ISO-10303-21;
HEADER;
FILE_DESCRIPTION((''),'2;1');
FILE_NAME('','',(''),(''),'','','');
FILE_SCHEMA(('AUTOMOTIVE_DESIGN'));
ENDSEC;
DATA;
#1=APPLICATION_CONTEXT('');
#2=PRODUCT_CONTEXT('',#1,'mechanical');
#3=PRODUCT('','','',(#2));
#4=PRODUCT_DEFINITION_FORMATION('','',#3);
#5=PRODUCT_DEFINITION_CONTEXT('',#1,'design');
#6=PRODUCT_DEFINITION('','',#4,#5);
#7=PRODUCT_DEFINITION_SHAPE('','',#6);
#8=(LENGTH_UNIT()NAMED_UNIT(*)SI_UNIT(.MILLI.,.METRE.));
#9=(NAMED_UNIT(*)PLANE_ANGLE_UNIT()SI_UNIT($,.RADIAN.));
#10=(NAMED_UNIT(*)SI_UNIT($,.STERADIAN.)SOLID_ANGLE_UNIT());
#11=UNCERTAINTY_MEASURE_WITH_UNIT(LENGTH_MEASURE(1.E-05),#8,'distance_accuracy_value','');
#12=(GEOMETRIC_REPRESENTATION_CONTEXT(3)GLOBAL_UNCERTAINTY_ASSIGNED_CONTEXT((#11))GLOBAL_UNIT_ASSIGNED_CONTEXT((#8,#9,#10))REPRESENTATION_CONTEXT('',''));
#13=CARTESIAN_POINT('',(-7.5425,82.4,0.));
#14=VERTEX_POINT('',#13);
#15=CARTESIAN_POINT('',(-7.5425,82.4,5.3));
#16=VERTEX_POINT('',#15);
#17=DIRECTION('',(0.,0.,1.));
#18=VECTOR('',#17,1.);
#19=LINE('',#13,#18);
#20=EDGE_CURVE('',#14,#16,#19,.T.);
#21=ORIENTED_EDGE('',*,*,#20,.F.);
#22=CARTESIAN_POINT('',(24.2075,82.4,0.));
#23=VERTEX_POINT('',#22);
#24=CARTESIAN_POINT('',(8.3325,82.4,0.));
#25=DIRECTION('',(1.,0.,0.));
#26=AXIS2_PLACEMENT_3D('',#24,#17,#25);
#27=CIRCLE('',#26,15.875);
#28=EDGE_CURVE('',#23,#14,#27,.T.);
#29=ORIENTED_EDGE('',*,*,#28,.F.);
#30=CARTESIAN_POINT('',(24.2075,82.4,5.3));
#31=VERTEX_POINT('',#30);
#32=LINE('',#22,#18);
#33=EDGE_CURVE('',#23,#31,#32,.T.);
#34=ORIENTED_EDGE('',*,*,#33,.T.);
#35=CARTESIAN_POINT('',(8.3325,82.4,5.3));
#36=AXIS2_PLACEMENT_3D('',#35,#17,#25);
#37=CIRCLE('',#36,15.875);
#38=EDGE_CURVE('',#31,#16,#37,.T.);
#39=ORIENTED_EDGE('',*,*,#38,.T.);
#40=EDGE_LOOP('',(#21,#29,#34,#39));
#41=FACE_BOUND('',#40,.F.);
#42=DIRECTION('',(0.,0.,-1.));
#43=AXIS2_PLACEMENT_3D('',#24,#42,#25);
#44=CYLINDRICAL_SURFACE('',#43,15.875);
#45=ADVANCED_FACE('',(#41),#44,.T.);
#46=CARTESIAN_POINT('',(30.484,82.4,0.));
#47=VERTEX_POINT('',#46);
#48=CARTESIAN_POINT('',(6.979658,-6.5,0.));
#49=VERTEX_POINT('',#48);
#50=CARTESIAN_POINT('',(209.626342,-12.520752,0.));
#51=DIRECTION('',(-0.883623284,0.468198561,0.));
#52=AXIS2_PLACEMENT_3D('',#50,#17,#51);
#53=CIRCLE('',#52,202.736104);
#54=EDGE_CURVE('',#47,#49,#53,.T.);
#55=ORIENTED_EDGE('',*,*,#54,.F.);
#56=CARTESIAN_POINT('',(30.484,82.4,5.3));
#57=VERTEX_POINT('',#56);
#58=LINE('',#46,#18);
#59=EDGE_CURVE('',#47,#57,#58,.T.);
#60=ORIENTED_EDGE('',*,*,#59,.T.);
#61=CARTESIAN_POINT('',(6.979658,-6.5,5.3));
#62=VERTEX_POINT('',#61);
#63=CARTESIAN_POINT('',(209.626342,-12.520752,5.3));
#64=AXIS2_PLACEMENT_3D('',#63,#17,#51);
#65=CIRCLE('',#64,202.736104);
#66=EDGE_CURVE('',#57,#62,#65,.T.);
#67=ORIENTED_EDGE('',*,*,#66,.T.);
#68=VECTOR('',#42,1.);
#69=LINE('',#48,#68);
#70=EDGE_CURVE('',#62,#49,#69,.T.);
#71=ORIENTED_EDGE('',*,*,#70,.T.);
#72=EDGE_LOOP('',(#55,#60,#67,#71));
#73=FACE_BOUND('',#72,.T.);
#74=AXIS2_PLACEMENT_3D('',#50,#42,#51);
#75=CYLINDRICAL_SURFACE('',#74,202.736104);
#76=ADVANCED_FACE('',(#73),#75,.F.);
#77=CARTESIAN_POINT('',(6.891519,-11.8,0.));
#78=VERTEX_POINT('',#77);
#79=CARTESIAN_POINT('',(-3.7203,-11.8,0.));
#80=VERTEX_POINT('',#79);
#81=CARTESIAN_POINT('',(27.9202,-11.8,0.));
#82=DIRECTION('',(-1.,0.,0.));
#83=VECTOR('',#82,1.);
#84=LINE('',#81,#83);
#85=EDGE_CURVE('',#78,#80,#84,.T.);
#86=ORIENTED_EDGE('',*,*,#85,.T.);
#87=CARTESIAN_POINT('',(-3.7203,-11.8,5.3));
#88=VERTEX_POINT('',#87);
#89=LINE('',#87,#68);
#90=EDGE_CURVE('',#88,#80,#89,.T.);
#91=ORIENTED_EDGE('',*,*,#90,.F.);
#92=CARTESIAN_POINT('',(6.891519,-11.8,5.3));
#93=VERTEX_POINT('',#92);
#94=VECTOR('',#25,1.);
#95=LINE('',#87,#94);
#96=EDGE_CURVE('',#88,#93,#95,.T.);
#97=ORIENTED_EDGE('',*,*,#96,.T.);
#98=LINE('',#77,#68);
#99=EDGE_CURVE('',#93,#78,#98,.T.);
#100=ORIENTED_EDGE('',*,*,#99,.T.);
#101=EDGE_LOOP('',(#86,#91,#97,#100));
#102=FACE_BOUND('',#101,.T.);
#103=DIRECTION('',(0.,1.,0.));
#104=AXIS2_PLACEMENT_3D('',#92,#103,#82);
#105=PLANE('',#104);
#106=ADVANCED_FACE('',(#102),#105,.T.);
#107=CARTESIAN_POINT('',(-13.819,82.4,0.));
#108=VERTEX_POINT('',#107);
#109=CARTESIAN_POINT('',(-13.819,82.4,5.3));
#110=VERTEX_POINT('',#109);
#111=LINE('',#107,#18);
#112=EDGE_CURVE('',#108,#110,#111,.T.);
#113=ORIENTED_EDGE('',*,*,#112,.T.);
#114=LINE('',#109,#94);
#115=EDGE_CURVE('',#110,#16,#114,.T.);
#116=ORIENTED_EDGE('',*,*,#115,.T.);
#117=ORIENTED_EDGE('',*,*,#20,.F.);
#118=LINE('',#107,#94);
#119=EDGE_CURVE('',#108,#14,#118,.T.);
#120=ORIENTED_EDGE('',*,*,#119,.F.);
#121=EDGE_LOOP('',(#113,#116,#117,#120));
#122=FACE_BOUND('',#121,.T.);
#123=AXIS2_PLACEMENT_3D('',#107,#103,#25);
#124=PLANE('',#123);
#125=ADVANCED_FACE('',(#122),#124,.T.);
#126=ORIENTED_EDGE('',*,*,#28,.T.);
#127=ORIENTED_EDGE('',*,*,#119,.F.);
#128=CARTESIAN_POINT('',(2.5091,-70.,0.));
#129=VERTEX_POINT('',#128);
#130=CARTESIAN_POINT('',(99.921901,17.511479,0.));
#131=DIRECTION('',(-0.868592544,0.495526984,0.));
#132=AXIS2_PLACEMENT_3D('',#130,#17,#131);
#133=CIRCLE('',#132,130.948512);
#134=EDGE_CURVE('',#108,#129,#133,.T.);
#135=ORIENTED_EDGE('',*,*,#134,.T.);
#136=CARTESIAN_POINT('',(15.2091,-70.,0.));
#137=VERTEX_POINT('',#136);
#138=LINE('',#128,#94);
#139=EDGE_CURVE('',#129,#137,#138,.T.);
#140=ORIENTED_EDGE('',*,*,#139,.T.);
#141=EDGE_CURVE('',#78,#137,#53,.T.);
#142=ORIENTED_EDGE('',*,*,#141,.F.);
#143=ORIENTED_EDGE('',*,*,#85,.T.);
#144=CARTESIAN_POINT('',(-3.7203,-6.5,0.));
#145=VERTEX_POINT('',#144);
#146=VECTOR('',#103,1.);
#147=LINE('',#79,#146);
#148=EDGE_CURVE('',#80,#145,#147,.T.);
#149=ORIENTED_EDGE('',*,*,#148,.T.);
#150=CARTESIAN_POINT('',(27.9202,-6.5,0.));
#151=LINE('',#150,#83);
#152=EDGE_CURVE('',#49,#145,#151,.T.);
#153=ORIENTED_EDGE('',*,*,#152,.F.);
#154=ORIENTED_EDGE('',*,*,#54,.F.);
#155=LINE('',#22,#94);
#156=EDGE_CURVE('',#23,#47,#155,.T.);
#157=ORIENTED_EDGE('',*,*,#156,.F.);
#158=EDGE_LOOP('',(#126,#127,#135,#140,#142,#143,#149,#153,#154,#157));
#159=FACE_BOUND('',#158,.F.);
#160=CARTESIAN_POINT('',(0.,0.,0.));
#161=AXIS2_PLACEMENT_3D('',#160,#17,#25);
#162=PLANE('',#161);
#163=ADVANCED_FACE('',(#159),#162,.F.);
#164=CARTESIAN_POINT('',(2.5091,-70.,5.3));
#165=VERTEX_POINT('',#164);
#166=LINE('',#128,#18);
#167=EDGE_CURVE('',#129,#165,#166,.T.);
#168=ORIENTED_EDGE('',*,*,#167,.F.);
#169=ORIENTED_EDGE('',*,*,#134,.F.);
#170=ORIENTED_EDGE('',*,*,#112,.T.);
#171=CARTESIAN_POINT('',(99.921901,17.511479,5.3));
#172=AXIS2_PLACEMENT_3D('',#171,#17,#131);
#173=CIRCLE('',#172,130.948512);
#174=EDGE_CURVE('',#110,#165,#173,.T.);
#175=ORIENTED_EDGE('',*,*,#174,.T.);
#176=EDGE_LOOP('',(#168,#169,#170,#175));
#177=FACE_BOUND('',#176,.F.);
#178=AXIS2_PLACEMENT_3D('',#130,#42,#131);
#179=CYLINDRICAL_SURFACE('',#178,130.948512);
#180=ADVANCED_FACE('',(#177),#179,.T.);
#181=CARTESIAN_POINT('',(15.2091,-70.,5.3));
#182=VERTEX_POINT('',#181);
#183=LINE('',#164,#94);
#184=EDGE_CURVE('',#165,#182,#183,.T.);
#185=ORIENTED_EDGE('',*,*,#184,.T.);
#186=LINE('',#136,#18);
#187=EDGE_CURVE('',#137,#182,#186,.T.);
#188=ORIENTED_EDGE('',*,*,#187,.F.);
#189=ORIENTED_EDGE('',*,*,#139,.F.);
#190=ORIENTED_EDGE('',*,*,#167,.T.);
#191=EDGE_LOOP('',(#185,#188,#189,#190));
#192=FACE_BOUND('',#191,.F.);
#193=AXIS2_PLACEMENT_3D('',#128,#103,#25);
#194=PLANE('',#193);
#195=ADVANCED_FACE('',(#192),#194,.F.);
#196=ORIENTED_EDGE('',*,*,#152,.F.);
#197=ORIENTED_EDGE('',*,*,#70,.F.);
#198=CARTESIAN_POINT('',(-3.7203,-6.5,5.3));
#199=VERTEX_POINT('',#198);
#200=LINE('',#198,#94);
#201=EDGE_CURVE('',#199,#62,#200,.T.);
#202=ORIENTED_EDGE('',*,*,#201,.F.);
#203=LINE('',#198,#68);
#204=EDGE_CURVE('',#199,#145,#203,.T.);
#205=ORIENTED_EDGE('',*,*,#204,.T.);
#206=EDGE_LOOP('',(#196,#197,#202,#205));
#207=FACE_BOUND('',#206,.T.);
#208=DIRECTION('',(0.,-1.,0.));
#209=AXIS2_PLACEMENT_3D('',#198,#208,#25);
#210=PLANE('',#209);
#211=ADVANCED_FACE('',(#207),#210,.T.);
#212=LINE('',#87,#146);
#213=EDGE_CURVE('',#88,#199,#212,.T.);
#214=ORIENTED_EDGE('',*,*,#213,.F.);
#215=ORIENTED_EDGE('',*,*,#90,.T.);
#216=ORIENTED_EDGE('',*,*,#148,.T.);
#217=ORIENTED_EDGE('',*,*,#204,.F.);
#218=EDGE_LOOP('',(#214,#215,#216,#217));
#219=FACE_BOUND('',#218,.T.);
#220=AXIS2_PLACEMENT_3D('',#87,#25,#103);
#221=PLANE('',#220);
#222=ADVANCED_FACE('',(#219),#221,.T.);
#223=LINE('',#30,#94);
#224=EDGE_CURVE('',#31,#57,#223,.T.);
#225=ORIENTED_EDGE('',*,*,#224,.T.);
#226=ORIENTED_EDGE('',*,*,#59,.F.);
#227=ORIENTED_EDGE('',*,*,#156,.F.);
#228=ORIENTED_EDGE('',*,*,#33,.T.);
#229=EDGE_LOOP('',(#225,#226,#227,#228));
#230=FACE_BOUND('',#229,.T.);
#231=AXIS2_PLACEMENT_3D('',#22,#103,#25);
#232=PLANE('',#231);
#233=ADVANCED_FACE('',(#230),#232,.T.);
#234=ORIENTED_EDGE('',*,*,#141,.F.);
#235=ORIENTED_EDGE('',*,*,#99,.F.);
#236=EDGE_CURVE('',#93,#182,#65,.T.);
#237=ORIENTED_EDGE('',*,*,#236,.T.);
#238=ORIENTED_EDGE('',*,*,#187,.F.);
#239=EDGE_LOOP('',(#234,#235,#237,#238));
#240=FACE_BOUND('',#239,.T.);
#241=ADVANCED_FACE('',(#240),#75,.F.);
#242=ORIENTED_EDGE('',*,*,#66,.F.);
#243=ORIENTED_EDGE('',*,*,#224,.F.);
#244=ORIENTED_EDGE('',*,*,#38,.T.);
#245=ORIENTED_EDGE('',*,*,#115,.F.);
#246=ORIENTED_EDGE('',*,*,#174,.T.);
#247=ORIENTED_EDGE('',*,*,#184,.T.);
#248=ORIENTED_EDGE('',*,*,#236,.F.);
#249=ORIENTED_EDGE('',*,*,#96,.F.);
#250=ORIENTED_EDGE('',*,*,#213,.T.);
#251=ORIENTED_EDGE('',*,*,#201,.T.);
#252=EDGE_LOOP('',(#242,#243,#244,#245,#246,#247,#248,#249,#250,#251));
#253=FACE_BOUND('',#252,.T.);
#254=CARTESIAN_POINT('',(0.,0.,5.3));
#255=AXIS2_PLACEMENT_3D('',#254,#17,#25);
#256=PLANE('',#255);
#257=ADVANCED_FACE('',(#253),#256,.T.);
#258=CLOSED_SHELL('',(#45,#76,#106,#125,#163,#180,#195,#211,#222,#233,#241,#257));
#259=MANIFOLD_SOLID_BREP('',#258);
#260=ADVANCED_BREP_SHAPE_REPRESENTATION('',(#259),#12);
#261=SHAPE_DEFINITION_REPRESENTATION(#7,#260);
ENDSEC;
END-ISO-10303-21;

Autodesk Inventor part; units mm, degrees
ref_plane "YZ Plane" through (0, 0, 0) normal (1, 0, 0) x (0, 1, 0)
ref_plane "XZ Plane" through (0, 0, 0) normal (0, 1, 0) x (-1, 0, 0)
ref_plane "XY Plane" through (0, 0, 0) normal (0, 0, 1) x (1, 0, 0)
sketch "Sketch1" plane through (0, 0, 0) normal (0, 0, 1) x (1, 0, 0)
  line L0 (-13.819, 82.4) -> (-7.5425, 82.4)
  line L1 (24.2075, 82.4) -> (30.484, 82.4)
  arc A0 (24.2075, 82.4) -> (-7.5425, 82.4) centre (8.3325, 82.4) ccw
  arc A1 (30.484, 82.4) -> (15.2091, -70) centre (209.6265, -12.5208) ccw
  line L2 (2.5091, -70) -> (15.2091, -70)
  arc A2 (-13.819, 82.4) -> (2.5091, -70) centre (99.9218, 17.5115) ccw
  point P0 (0, 0)
  dimension "d0" = 31.75
  dimension "d1" = 12.7
  dimension "d2" = 152.4
  dimension "d9" = 70
extrude "Extrusion1" add sketch "Sketch1" along normal blind 5.3
sketch "Sketch2" plane through (0, 0, 5.3) normal (0, 0, 1) x (1, 0, 0)
  line L0 (-3.7203, -6.5) -> (27.9202, -6.5)
  line L1 (27.9202, -6.5) -> (27.9202, -11.8)
  line L2 (27.9202, -11.8) -> (-3.7203, -11.8)
  line L3 (-3.7203, -11.8) -> (-3.7203, -6.5)
  line L4 (-7.5425, 82.4) -> (-13.819, 82.4) projected
  line L5 (-7.5425, 82.4) -> (-13.819, 82.4) projected
  arc A0 (-13.819, 82.4) -> (2.5091, -70) centre (99.9218, 17.5115) ccw projected
  line L6 (2.5091, -70) -> (15.2091, -70) projected
  arc A1 (30.484, 82.4) -> (15.2091, -70) centre (209.6265, -12.5208) ccw projected
  line L7 (30.484, 82.4) -> (24.2075, 82.4) projected
  arc A2 (24.2075, 82.4) -> (-7.5425, 82.4) centre (8.3325, 82.4) ccw projected
  point P0 (0, 0)
  point P1 (6.9797, -6.5)
  dimension "d5" = 5.3
  dimension "d6" = 88.9
  dimension "d10" = 10.7
extrude "Extrusion2" cut sketch "Sketch2" against normal up to surface (5.3 mm away) contours L0 A1 L2 L3 | L0 L1 L2 A1
properties part number "leg"
